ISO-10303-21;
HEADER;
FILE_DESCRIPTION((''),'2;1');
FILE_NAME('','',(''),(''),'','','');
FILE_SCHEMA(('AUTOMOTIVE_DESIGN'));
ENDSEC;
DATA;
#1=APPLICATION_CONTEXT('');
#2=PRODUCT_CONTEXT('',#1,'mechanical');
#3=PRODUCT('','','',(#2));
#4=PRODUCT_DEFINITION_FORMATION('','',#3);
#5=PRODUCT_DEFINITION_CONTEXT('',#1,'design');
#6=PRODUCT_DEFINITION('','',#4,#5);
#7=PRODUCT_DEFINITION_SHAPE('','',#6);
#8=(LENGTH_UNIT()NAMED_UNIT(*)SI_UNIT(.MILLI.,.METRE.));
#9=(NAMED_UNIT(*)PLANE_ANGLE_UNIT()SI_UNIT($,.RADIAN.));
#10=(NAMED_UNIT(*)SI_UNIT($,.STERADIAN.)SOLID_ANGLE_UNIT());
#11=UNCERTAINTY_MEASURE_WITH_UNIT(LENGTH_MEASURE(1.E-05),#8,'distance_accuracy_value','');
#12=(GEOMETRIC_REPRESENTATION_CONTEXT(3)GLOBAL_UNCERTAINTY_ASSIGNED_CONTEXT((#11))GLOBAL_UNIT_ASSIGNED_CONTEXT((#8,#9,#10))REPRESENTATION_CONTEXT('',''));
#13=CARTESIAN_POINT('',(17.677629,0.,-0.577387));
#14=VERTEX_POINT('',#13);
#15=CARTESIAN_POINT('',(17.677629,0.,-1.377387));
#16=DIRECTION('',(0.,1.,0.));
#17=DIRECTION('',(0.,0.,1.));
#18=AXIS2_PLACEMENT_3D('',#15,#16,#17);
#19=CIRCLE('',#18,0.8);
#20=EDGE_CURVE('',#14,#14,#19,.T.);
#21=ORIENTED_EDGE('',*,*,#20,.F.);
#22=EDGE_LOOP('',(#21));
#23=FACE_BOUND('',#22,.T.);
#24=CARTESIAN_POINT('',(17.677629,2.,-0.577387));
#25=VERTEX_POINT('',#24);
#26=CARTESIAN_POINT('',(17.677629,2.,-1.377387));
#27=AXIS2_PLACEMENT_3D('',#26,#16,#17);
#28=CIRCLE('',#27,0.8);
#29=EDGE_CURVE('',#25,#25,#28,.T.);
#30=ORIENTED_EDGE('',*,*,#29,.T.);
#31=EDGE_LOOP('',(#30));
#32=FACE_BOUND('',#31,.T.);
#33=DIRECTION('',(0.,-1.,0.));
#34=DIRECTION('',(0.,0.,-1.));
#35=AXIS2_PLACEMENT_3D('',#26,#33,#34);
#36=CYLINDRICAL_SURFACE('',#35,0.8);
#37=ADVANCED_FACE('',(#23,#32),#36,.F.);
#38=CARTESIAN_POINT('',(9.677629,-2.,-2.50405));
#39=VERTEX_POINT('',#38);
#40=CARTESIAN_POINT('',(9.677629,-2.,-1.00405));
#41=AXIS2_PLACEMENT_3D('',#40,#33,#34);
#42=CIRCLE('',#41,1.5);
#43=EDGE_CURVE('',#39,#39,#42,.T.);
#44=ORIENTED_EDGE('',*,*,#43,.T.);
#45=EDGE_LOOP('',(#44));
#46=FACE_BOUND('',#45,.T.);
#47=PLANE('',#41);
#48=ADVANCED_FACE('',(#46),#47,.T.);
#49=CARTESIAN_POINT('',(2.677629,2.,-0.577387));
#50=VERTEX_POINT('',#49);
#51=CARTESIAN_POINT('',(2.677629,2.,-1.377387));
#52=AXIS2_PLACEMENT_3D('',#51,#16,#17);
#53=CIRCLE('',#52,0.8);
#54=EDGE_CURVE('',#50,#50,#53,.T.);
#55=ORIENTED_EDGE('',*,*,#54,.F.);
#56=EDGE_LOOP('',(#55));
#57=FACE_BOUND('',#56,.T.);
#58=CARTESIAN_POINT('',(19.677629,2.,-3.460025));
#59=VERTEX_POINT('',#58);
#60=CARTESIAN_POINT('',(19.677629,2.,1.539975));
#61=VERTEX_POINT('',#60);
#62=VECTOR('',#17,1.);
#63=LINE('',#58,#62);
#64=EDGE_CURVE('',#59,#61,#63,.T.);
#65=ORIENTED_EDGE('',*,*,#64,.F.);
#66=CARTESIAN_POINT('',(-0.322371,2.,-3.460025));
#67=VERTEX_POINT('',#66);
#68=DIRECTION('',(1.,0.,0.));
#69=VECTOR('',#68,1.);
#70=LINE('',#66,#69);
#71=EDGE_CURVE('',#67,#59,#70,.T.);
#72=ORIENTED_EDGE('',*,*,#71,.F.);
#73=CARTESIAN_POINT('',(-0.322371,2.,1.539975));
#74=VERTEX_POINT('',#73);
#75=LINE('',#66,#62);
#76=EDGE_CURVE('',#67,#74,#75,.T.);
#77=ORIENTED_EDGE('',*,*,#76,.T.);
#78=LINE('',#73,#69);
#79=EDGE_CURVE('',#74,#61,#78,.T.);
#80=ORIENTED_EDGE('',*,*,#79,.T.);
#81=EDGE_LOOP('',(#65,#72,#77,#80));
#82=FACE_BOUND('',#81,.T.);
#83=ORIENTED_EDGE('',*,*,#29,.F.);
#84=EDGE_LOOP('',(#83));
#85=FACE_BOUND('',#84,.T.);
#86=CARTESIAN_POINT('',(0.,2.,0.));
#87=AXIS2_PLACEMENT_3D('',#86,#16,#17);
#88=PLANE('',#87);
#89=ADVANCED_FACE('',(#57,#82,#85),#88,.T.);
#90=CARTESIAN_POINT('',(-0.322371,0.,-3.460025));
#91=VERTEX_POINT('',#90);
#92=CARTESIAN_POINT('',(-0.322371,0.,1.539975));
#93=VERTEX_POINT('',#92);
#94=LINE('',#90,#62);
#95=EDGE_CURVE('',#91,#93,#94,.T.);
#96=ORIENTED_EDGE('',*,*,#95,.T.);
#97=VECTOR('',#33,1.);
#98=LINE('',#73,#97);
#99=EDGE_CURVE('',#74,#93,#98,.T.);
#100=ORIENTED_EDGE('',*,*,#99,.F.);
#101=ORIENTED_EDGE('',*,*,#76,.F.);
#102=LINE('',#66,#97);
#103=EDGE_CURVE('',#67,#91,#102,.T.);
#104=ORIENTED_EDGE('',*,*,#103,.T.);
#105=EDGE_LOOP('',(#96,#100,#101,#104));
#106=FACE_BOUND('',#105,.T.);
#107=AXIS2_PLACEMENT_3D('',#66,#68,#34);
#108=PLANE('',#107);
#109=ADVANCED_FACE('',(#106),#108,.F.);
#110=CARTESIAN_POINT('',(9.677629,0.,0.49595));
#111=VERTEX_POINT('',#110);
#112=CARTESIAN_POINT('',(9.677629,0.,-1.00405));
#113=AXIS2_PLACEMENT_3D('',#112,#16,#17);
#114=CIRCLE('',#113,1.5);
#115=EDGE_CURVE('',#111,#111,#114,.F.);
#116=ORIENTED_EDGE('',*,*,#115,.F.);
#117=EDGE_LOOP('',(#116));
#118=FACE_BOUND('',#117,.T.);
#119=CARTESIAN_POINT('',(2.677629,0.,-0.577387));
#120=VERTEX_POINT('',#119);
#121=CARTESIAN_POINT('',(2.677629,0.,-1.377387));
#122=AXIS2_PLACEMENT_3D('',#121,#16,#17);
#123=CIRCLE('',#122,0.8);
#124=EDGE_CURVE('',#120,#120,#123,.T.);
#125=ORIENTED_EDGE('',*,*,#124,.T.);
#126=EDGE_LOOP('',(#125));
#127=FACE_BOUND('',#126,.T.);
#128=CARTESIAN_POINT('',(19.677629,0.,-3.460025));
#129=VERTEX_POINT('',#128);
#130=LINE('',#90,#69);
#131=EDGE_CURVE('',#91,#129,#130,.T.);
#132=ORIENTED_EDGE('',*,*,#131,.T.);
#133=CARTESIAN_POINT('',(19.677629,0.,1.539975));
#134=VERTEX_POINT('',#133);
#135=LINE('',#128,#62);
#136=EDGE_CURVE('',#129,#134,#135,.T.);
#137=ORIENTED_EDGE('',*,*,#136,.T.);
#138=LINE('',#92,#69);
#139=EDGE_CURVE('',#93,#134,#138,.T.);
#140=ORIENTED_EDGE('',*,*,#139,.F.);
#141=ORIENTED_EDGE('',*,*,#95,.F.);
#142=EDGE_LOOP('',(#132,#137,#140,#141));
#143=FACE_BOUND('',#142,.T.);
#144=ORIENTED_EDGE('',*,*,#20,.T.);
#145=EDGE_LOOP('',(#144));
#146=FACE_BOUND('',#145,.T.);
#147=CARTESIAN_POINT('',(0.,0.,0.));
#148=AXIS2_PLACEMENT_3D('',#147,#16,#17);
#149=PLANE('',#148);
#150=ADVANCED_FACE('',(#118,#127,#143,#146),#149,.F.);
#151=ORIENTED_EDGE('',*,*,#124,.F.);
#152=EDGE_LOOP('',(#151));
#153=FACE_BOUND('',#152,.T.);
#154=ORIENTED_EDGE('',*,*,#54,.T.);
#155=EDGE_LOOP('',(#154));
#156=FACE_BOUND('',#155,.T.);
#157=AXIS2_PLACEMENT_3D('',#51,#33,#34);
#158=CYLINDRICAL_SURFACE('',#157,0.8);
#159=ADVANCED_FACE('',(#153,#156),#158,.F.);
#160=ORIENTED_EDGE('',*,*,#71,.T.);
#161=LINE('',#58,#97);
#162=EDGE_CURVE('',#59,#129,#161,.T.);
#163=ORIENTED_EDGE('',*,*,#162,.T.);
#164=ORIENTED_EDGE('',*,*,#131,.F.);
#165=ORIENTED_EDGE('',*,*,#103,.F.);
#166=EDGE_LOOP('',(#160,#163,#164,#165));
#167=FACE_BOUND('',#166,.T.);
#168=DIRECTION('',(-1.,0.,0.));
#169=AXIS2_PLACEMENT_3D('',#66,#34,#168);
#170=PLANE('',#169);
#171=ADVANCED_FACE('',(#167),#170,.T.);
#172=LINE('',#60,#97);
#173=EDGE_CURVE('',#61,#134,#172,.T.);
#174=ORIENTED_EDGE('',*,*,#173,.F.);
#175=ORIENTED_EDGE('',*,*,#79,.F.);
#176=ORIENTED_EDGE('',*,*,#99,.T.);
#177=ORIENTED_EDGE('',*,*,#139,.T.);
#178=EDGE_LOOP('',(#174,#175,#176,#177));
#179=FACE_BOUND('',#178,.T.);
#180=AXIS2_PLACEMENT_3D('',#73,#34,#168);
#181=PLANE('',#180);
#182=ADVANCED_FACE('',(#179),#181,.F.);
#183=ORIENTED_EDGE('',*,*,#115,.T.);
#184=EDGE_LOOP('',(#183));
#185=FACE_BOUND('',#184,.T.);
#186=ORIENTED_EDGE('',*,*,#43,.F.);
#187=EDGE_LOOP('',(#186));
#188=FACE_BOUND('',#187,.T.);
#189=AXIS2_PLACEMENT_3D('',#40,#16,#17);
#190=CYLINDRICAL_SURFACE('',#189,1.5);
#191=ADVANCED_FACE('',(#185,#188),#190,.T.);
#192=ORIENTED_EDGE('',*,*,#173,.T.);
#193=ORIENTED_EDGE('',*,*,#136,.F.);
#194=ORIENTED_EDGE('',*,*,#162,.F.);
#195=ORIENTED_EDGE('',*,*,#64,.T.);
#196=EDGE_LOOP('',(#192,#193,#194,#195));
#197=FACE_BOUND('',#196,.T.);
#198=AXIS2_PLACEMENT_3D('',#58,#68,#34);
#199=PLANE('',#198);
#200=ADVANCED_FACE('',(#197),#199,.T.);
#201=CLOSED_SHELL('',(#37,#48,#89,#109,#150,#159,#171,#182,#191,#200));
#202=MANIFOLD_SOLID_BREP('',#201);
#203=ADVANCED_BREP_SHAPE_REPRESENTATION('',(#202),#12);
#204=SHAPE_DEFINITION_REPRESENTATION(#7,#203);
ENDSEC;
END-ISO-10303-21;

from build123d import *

# Parameters (mm, degrees)
SKETCH1_W           = 20
SKETCH1_H           = 5
SKETCH1_R           = 0.8
BOSS_EXTRUDE1_DEPTH = 2
SKETCH2_R           = 1.5
BOSS_EXTRUDE2_DEPTH = 2


with BuildPart() as part:
    # Sketch1 → Boss-Extrude1 (new body)
    with BuildSketch(Plane(origin=(0, 0, 0), x_dir=(1, 0, 0), z_dir=(0, 1, 0))):
        with Locations((9.677629379, 0.960024777)):
            Rectangle(SKETCH1_W, SKETCH1_H)
        with Locations((17.677629379, 1.377386897)):
            Circle(SKETCH1_R, mode=Mode.SUBTRACT)
        with Locations((2.677629379, 1.377386897)):
            Circle(SKETCH1_R, mode=Mode.SUBTRACT)
    extrude(amount=BOSS_EXTRUDE1_DEPTH)

    # Sketch2 → Boss-Extrude2 (add)
    with BuildSketch(Plane(origin=(0, 0, 0), x_dir=(-1, 0, 0), z_dir=(0, -1, 0))):
        with Locations((-9.677629379, 1.004049849)):
            Circle(SKETCH2_R)
    extrude(amount=BOSS_EXTRUDE2_DEPTH)


solid = part.part
